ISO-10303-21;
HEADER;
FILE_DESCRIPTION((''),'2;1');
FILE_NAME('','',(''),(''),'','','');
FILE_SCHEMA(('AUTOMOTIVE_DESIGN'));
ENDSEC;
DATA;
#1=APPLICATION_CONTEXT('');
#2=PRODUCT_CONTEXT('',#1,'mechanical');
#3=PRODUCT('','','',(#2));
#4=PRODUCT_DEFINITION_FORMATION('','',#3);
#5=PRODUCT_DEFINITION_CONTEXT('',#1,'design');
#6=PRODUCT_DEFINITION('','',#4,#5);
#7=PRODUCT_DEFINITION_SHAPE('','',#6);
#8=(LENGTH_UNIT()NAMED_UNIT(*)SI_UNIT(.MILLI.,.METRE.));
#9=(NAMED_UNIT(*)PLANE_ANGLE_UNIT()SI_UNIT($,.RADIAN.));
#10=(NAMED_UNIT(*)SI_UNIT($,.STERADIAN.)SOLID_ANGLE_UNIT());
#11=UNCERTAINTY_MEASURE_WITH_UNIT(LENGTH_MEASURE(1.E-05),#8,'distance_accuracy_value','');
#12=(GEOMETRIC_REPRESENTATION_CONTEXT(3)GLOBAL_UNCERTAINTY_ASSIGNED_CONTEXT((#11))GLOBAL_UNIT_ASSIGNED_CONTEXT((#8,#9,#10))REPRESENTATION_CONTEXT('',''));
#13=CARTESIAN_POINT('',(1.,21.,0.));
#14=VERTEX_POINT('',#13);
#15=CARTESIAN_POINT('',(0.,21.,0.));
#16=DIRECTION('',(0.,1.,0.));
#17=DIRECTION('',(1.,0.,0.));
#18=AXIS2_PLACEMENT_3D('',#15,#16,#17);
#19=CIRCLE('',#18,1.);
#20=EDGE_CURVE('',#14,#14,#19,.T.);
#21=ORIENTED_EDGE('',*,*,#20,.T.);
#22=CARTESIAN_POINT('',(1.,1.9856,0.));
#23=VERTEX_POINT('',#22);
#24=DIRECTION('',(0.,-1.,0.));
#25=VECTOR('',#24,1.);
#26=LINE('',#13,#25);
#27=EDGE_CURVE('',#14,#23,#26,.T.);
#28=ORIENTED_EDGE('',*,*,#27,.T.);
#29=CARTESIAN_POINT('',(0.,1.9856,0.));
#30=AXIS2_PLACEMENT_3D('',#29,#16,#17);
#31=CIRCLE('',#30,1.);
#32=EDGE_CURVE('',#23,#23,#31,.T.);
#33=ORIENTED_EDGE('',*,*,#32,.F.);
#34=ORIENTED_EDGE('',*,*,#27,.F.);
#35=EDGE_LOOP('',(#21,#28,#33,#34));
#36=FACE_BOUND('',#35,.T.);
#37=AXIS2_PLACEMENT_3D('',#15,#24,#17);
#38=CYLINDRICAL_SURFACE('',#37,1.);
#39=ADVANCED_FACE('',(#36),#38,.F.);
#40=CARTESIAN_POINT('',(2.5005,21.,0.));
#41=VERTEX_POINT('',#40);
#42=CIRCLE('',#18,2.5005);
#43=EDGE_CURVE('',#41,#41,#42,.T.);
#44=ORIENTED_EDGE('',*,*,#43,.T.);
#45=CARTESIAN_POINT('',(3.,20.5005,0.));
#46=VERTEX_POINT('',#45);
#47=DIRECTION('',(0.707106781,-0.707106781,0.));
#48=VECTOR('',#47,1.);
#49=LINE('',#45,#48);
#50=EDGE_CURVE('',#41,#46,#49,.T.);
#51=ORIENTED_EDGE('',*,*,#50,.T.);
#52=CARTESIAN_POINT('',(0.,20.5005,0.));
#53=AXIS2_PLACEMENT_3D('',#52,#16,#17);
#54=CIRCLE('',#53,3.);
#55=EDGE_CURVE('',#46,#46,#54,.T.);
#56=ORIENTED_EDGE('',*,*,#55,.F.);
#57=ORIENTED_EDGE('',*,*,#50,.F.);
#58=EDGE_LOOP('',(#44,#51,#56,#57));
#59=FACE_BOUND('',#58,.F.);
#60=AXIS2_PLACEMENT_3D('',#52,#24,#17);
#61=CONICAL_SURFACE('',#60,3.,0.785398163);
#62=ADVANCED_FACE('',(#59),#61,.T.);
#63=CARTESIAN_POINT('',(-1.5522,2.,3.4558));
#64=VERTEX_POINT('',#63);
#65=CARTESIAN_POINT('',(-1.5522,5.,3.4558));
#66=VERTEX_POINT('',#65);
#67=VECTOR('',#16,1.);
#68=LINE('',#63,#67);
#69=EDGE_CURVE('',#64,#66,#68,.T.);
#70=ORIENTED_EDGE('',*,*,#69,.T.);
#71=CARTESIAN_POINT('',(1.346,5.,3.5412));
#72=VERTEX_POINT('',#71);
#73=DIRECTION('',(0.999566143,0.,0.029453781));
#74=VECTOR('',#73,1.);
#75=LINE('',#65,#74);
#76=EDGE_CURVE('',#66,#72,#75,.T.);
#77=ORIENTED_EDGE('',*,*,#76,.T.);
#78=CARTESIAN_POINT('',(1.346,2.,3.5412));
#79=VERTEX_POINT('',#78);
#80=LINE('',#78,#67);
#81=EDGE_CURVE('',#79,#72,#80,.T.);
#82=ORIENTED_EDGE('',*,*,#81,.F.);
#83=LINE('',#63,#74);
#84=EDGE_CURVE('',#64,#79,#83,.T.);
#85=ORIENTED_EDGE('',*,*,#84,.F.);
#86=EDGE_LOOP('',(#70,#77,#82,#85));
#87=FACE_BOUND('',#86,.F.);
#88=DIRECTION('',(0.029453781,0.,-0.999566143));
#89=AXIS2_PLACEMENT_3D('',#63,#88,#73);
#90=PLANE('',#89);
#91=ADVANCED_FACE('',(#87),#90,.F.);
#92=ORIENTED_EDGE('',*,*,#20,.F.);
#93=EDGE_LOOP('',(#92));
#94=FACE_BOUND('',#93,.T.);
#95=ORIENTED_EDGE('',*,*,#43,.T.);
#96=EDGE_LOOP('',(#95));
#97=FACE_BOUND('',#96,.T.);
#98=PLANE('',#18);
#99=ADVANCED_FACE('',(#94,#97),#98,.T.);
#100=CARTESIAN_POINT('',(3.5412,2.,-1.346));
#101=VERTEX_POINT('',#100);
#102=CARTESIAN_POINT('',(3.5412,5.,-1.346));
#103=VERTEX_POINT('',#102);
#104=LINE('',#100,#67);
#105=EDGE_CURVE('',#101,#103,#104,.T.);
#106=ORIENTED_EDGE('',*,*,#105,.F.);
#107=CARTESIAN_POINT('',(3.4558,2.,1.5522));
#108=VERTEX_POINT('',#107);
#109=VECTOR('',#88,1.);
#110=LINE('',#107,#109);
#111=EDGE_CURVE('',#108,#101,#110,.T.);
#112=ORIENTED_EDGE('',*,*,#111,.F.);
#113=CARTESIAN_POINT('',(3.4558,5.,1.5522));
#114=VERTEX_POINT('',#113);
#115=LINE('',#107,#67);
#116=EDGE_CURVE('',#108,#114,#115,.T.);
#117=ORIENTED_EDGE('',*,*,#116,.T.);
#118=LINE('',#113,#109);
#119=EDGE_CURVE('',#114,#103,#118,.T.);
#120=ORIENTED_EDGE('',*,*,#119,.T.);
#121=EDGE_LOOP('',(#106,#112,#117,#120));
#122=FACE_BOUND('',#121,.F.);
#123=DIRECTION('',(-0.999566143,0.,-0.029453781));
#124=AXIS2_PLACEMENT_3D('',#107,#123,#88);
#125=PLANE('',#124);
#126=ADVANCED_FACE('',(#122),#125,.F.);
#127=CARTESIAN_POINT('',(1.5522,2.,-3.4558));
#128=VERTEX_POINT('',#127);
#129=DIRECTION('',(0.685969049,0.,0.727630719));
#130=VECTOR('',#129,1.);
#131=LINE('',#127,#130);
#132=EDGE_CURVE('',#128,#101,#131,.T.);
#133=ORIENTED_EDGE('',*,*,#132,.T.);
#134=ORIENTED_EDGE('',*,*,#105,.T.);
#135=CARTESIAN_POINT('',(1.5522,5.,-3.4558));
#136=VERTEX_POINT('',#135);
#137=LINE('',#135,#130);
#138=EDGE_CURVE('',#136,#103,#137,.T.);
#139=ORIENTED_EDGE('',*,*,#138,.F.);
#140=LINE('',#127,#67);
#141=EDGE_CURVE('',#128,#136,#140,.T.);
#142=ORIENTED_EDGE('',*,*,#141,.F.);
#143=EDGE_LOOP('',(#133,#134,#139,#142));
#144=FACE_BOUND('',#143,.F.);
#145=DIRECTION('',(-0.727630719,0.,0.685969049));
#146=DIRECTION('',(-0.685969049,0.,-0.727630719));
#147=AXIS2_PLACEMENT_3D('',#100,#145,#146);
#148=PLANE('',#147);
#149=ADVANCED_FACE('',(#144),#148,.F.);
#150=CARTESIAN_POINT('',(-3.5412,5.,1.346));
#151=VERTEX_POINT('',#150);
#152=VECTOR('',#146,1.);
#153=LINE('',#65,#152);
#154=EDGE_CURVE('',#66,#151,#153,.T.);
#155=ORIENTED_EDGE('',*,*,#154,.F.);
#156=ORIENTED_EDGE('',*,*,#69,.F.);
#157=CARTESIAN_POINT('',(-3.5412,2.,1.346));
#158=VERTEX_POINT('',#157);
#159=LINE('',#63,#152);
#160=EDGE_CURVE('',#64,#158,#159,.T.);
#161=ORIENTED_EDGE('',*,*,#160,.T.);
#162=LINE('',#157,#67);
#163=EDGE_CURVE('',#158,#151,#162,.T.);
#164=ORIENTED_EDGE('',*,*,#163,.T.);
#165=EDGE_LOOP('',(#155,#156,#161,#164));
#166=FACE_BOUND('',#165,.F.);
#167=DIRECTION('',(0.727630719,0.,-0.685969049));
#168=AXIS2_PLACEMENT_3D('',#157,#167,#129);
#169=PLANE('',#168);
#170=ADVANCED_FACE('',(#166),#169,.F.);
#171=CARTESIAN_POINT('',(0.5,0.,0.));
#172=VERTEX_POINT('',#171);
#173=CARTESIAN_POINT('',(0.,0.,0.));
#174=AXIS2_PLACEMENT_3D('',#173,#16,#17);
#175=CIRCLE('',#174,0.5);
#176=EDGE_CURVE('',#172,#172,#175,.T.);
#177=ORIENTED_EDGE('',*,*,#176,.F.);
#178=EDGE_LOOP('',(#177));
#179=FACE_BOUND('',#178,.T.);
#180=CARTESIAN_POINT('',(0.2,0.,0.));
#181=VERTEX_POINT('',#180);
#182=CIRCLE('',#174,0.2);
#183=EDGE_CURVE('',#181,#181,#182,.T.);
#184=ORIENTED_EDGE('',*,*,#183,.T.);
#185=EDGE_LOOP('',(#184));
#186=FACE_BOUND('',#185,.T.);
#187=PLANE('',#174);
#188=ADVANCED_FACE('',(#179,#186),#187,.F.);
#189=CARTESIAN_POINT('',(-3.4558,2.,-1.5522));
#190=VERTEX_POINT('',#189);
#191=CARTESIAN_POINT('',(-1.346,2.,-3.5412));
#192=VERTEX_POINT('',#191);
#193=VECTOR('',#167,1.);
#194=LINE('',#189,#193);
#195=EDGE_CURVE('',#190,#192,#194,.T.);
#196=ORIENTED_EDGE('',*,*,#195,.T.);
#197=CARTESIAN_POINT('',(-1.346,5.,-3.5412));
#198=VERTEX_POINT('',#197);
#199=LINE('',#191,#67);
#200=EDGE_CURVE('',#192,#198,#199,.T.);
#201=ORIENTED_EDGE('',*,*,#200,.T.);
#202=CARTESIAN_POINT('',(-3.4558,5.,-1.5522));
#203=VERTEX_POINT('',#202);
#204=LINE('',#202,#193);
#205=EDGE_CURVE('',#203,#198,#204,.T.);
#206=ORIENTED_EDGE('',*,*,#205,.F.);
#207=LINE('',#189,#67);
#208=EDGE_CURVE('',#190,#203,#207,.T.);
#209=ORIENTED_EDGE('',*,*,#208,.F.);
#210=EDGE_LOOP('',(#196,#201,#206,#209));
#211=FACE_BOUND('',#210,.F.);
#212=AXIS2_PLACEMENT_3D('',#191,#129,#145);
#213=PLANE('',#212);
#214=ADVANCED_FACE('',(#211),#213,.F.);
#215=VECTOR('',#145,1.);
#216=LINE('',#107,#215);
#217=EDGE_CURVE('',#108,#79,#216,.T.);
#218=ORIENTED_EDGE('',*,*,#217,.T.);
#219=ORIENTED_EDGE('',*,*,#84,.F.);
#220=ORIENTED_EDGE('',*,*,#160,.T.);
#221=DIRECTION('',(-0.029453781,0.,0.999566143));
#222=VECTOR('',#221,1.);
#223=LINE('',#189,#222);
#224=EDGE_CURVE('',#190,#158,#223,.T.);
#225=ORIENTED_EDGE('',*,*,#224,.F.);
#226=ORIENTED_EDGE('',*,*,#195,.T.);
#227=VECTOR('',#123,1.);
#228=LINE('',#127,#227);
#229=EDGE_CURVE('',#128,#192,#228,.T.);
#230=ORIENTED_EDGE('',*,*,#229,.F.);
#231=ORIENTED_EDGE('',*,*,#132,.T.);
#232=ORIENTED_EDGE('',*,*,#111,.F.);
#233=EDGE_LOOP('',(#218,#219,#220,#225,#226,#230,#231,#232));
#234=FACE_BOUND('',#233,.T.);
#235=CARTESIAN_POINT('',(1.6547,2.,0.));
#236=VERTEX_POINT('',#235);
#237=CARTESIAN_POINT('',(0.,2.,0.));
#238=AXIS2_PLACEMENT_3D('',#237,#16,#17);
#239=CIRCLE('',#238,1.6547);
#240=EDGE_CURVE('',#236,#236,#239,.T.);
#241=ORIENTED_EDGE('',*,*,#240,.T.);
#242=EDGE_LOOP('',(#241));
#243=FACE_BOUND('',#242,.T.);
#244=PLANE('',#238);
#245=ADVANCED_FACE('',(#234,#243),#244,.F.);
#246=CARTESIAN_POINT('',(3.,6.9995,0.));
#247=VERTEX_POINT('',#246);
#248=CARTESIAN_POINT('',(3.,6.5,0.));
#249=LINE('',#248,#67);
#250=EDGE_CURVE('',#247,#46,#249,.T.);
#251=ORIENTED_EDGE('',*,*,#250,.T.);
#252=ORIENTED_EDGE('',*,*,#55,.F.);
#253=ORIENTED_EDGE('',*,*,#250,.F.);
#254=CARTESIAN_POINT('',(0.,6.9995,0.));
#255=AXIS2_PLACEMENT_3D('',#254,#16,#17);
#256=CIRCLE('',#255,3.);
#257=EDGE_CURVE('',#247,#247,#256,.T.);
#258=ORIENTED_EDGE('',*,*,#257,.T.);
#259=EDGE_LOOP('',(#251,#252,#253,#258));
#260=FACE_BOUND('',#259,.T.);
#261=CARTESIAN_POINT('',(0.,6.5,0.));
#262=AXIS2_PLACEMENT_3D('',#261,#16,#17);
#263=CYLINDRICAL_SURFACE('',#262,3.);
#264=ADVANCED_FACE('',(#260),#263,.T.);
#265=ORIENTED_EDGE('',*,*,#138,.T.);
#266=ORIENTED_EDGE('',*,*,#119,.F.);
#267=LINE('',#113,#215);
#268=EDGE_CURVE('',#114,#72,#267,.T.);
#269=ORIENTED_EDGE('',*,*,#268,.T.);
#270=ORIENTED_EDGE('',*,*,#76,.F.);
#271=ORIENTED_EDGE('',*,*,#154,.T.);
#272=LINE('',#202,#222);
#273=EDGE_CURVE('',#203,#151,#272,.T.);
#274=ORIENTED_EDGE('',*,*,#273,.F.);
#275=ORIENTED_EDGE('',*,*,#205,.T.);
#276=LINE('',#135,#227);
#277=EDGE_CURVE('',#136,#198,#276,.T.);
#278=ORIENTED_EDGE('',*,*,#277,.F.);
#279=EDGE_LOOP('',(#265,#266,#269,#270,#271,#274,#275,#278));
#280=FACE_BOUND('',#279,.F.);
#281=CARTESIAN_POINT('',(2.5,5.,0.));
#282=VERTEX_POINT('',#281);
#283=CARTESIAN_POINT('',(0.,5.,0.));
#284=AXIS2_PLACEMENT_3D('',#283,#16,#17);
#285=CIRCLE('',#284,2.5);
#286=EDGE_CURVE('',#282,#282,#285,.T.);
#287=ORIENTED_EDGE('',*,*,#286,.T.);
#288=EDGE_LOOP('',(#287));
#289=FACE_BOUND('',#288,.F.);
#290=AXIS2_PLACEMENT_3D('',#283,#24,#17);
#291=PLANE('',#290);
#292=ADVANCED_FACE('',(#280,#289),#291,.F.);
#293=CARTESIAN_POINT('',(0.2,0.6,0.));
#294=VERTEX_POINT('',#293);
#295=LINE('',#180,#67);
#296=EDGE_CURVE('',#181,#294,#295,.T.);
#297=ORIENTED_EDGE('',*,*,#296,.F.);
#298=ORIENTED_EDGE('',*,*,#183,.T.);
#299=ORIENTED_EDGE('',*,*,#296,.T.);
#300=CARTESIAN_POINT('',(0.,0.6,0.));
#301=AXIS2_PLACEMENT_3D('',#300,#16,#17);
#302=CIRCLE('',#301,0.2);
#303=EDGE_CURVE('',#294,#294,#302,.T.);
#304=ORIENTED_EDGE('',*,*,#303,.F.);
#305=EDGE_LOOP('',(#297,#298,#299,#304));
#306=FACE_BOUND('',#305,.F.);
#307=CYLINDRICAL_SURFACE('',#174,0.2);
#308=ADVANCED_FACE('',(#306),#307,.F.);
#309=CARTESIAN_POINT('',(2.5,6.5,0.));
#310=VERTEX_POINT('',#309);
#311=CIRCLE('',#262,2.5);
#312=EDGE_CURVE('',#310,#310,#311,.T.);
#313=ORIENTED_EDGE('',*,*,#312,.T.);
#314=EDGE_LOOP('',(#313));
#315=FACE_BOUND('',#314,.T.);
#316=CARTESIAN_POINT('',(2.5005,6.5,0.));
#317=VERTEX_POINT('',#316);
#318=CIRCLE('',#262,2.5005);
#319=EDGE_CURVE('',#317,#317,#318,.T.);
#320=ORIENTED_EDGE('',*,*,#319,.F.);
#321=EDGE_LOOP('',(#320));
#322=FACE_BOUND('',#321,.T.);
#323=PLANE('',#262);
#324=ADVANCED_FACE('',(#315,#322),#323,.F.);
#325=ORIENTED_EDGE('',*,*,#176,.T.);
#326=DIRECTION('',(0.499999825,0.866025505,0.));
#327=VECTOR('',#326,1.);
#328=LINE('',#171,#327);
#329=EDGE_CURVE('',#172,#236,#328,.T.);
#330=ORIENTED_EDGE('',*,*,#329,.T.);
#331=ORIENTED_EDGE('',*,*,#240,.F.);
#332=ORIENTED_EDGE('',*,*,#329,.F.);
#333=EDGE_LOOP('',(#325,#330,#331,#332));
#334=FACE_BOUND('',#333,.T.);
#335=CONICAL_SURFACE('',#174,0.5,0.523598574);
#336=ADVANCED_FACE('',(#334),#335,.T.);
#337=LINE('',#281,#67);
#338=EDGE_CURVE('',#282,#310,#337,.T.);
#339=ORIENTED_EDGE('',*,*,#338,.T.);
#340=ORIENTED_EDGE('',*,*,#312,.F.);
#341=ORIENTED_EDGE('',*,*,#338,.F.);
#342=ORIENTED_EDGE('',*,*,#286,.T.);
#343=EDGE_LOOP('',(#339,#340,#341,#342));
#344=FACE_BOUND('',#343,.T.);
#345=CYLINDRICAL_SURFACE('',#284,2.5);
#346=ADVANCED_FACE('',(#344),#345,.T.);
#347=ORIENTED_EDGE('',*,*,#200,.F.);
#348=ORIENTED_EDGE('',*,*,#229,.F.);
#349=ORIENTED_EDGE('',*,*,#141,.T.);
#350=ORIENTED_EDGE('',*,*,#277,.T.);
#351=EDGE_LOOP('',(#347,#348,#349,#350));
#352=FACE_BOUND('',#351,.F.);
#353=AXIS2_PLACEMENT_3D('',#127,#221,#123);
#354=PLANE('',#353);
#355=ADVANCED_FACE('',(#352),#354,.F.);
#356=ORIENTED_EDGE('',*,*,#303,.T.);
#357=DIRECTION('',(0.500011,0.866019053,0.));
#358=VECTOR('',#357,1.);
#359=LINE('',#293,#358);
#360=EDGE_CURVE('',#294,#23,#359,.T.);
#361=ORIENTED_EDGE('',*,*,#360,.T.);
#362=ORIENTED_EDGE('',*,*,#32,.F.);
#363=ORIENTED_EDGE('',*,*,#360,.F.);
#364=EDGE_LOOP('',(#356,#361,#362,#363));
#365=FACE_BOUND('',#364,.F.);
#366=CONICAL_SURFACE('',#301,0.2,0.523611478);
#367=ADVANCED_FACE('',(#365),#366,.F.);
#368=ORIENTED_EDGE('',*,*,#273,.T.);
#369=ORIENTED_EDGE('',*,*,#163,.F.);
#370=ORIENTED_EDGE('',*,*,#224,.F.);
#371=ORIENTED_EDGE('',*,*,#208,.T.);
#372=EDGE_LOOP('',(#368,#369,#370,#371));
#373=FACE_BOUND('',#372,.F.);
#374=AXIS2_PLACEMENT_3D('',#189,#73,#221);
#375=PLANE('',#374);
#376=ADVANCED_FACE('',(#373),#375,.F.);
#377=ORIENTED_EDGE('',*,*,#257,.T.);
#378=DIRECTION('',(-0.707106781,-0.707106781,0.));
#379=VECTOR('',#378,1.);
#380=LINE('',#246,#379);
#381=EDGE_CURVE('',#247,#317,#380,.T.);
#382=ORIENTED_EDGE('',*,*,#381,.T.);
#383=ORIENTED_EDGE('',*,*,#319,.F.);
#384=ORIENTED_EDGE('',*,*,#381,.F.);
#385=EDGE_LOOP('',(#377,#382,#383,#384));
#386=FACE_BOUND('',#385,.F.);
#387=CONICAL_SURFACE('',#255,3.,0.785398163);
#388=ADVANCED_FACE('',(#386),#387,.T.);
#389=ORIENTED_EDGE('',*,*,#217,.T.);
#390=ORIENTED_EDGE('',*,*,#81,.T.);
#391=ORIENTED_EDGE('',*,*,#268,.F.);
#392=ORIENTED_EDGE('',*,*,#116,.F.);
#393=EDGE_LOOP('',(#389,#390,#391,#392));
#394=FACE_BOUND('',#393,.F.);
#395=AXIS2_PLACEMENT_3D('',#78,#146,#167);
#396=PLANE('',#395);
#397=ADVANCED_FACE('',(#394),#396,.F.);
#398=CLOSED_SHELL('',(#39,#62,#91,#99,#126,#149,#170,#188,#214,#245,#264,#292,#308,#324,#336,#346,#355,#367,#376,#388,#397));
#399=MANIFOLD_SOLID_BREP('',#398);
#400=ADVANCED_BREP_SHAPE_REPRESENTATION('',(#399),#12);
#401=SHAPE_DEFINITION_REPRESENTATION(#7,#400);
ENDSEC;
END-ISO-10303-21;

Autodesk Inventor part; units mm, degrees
ref_plane "YZ Plane" through (0, 0, 0) normal (1, 0, 0) x (0, 1, 0)
ref_plane "XZ Plane" through (0, 0, 0) normal (0, 1, 0) x (-1, 0, 0)
ref_plane "XY Plane" through (0, 0, 0) normal (0, 0, 1) x (1, 0, 0)
sketch "Skizze1" plane through (0, 0, 0) normal (0, 0, 1) x (1, 0, 0)
  line L0 (0.2, 0) -> (0.5, 0)
  line L1 (0.2, 0) -> (0.5, 0) construction
  line L2 (0.5, 0) -> (1.6547, 2)
  line L3 (1.6547, 2) -> (3.5, 2)
  line L4 (3.5, 2) -> (3.5, 5)
  line L5 (3.5, 5) -> (2.5, 5)
  line L6 (2.5, 5) -> (2.5, 6.5)
  line L7 (2.5, 6.5) -> (3, 6.5)
  line L8 (3, 6.5) -> (3, 21)
  line L9 (3, 21) -> (1, 21)
  line L10 (1, 21) -> (1, 1.9856)
  line L11 (0.2, 0) -> (0.2, 0.6)
  line L12 (0.2, 0.6) -> (1, 1.9856)
  line L13 (0, -4.2) -> (0, 25.2) projected
  point P0 (0, 0)
  dimension "d4" = 90
  dimension "d6" = 1
  dimension "d7" = 0.2
  dimension "d8" = 0
  dimension "d9" = 0.5
  dimension "d10" = 19
  dimension "d11" = 16
  dimension "d12" = 14.5
  dimension "d13" = 2.5
  dimension "d15" = 21
  dimension "d16" = 0.6
  dimension "d17" = 3.5
  dimension "d18" = 150
  dimension "d19" = 3
revolve "Umdrehung1" add sketch "Skizze1" angle 360 about axis through (0, -10, 0) along (0, 1, 0)
sketch "Skizze2" plane through (0, 2, 0) normal (0, -1, 0) x (1, 0, 0)
  circle A0 centre (0, 0) radius 0.2 projected
  line L0 (3.5412, -1.346) -> (1.5522, -3.4558)
  line L1 (1.5522, -3.4558) -> (-1.346, -3.5412)
  line L2 (-1.346, -3.5412) -> (-3.4558, -1.5522)
  line L3 (-3.4558, -1.5522) -> (-3.5412, 1.346)
  line L4 (-3.5412, 1.346) -> (-1.5522, 3.4558)
  line L5 (-1.5522, 3.4558) -> (1.346, 3.5412)
  line L6 (1.346, 3.5412) -> (3.4558, 1.5522)
  line L7 (3.4558, 1.5522) -> (3.5412, -1.346)
  circle A1 centre (0, 0) radius 1.6547
  dimension "d21" = 7
extrude "Extrusion2" add sketch "Skizze2" against normal up to surface (3 mm away) contours L0 L1 L2 L3 L4 L5 L6 L7
thread "Gewinde1" size "M6x1" class "6g" standard "ANSI Metric M Profile" full length
chamfer "Fase1" distance 0.5 angle 45 2 edges at (-3, 6.5, 0) (-3, 21, 0)
properties part number "E3D-v6 Volcano Nozzle" material "Messing, weicher Gelbton"
